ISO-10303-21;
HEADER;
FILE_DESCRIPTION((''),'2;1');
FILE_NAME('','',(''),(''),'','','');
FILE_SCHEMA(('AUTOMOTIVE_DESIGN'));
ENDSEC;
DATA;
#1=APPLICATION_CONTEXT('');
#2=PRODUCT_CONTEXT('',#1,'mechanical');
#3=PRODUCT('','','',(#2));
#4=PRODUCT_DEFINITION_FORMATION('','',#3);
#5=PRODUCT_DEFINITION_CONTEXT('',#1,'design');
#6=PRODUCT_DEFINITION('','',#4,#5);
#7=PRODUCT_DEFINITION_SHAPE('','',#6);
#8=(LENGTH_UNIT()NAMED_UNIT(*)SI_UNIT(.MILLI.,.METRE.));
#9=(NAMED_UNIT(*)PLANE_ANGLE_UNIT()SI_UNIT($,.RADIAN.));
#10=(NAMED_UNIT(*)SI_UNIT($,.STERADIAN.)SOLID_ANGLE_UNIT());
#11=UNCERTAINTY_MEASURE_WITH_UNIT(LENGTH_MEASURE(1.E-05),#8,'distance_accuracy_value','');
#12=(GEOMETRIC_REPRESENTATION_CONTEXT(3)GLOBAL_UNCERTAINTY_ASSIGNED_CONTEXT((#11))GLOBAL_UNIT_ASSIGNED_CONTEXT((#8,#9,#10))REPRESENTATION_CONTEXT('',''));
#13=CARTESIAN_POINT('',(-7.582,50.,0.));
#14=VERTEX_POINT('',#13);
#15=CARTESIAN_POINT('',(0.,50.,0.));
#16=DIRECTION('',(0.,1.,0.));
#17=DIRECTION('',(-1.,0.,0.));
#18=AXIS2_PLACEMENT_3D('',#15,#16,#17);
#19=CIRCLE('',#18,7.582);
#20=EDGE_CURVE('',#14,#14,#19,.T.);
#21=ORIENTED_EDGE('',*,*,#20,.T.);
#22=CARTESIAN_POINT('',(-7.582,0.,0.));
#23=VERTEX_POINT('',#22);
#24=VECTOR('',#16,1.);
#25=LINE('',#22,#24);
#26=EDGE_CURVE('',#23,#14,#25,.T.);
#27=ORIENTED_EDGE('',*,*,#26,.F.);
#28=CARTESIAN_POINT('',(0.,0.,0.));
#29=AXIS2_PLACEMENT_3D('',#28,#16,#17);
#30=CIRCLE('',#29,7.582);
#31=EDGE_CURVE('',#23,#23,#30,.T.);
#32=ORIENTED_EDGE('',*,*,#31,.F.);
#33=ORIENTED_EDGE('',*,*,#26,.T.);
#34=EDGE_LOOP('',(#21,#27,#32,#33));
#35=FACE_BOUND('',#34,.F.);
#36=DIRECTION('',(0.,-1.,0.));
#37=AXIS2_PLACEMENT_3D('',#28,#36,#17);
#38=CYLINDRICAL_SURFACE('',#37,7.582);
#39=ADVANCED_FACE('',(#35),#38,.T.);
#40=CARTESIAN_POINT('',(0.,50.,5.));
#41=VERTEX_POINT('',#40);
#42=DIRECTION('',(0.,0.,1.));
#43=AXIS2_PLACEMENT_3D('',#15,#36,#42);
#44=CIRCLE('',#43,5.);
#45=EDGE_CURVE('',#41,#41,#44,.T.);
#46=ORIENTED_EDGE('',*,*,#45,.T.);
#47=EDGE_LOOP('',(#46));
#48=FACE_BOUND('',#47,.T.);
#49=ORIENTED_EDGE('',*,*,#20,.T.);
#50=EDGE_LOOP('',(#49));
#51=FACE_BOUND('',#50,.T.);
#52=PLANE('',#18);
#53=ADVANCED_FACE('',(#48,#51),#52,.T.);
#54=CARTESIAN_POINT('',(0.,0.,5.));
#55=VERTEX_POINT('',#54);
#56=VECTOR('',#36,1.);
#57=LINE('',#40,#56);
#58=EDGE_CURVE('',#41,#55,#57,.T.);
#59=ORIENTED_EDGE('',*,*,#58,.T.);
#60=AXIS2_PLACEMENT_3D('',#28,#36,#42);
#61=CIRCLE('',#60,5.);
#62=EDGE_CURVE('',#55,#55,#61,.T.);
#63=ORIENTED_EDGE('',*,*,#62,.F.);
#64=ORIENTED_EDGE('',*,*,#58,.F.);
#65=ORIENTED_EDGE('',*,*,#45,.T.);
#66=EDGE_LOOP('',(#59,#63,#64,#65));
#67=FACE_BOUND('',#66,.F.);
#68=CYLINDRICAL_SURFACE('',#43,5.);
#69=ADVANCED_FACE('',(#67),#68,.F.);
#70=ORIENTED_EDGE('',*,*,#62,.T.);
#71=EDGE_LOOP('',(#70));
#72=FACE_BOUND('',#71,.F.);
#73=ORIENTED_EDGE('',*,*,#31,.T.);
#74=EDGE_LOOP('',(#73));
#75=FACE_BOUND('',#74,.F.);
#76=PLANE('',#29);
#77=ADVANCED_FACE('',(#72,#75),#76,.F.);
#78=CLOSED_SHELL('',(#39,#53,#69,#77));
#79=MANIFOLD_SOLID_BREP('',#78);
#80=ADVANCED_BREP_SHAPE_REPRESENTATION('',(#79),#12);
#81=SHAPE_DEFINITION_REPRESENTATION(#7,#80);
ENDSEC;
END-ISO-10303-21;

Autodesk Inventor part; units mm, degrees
ref_plane "YZ Plane" through (0, 0, 0) normal (1, 0, 0) x (0, 1, 0)
ref_plane "XZ Plane" through (0, 0, 0) normal (0, 1, 0) x (-1, 0, 0)
ref_plane "XY Plane" through (0, 0, 0) normal (0, 0, 1) x (1, 0, 0)
sketch "Boceto1" plane through (0, 0, 0) normal (0, 1, 0) x (-1, 0, 0)
  circle A0 centre (0, 0) radius 7.582
  dimension "d0" = 15.164
extrude "Extrusión1" add sketch "Boceto1" along normal blind 50
thread "Rosca1" size "M16x2" class "6g" standard "ANSI Metric M Profile" full length
sketch "Boceto2" plane through (0, 50, 0) normal (0, 1, 0) x (1, 0, 0)
  point P0 (0, 0)
  point P1 (0, 0)
hole "Agujero1" at (0, 50, 0) direction (0, -1, 0) diameter 10 end through all
properties part number "TORNILLO"
